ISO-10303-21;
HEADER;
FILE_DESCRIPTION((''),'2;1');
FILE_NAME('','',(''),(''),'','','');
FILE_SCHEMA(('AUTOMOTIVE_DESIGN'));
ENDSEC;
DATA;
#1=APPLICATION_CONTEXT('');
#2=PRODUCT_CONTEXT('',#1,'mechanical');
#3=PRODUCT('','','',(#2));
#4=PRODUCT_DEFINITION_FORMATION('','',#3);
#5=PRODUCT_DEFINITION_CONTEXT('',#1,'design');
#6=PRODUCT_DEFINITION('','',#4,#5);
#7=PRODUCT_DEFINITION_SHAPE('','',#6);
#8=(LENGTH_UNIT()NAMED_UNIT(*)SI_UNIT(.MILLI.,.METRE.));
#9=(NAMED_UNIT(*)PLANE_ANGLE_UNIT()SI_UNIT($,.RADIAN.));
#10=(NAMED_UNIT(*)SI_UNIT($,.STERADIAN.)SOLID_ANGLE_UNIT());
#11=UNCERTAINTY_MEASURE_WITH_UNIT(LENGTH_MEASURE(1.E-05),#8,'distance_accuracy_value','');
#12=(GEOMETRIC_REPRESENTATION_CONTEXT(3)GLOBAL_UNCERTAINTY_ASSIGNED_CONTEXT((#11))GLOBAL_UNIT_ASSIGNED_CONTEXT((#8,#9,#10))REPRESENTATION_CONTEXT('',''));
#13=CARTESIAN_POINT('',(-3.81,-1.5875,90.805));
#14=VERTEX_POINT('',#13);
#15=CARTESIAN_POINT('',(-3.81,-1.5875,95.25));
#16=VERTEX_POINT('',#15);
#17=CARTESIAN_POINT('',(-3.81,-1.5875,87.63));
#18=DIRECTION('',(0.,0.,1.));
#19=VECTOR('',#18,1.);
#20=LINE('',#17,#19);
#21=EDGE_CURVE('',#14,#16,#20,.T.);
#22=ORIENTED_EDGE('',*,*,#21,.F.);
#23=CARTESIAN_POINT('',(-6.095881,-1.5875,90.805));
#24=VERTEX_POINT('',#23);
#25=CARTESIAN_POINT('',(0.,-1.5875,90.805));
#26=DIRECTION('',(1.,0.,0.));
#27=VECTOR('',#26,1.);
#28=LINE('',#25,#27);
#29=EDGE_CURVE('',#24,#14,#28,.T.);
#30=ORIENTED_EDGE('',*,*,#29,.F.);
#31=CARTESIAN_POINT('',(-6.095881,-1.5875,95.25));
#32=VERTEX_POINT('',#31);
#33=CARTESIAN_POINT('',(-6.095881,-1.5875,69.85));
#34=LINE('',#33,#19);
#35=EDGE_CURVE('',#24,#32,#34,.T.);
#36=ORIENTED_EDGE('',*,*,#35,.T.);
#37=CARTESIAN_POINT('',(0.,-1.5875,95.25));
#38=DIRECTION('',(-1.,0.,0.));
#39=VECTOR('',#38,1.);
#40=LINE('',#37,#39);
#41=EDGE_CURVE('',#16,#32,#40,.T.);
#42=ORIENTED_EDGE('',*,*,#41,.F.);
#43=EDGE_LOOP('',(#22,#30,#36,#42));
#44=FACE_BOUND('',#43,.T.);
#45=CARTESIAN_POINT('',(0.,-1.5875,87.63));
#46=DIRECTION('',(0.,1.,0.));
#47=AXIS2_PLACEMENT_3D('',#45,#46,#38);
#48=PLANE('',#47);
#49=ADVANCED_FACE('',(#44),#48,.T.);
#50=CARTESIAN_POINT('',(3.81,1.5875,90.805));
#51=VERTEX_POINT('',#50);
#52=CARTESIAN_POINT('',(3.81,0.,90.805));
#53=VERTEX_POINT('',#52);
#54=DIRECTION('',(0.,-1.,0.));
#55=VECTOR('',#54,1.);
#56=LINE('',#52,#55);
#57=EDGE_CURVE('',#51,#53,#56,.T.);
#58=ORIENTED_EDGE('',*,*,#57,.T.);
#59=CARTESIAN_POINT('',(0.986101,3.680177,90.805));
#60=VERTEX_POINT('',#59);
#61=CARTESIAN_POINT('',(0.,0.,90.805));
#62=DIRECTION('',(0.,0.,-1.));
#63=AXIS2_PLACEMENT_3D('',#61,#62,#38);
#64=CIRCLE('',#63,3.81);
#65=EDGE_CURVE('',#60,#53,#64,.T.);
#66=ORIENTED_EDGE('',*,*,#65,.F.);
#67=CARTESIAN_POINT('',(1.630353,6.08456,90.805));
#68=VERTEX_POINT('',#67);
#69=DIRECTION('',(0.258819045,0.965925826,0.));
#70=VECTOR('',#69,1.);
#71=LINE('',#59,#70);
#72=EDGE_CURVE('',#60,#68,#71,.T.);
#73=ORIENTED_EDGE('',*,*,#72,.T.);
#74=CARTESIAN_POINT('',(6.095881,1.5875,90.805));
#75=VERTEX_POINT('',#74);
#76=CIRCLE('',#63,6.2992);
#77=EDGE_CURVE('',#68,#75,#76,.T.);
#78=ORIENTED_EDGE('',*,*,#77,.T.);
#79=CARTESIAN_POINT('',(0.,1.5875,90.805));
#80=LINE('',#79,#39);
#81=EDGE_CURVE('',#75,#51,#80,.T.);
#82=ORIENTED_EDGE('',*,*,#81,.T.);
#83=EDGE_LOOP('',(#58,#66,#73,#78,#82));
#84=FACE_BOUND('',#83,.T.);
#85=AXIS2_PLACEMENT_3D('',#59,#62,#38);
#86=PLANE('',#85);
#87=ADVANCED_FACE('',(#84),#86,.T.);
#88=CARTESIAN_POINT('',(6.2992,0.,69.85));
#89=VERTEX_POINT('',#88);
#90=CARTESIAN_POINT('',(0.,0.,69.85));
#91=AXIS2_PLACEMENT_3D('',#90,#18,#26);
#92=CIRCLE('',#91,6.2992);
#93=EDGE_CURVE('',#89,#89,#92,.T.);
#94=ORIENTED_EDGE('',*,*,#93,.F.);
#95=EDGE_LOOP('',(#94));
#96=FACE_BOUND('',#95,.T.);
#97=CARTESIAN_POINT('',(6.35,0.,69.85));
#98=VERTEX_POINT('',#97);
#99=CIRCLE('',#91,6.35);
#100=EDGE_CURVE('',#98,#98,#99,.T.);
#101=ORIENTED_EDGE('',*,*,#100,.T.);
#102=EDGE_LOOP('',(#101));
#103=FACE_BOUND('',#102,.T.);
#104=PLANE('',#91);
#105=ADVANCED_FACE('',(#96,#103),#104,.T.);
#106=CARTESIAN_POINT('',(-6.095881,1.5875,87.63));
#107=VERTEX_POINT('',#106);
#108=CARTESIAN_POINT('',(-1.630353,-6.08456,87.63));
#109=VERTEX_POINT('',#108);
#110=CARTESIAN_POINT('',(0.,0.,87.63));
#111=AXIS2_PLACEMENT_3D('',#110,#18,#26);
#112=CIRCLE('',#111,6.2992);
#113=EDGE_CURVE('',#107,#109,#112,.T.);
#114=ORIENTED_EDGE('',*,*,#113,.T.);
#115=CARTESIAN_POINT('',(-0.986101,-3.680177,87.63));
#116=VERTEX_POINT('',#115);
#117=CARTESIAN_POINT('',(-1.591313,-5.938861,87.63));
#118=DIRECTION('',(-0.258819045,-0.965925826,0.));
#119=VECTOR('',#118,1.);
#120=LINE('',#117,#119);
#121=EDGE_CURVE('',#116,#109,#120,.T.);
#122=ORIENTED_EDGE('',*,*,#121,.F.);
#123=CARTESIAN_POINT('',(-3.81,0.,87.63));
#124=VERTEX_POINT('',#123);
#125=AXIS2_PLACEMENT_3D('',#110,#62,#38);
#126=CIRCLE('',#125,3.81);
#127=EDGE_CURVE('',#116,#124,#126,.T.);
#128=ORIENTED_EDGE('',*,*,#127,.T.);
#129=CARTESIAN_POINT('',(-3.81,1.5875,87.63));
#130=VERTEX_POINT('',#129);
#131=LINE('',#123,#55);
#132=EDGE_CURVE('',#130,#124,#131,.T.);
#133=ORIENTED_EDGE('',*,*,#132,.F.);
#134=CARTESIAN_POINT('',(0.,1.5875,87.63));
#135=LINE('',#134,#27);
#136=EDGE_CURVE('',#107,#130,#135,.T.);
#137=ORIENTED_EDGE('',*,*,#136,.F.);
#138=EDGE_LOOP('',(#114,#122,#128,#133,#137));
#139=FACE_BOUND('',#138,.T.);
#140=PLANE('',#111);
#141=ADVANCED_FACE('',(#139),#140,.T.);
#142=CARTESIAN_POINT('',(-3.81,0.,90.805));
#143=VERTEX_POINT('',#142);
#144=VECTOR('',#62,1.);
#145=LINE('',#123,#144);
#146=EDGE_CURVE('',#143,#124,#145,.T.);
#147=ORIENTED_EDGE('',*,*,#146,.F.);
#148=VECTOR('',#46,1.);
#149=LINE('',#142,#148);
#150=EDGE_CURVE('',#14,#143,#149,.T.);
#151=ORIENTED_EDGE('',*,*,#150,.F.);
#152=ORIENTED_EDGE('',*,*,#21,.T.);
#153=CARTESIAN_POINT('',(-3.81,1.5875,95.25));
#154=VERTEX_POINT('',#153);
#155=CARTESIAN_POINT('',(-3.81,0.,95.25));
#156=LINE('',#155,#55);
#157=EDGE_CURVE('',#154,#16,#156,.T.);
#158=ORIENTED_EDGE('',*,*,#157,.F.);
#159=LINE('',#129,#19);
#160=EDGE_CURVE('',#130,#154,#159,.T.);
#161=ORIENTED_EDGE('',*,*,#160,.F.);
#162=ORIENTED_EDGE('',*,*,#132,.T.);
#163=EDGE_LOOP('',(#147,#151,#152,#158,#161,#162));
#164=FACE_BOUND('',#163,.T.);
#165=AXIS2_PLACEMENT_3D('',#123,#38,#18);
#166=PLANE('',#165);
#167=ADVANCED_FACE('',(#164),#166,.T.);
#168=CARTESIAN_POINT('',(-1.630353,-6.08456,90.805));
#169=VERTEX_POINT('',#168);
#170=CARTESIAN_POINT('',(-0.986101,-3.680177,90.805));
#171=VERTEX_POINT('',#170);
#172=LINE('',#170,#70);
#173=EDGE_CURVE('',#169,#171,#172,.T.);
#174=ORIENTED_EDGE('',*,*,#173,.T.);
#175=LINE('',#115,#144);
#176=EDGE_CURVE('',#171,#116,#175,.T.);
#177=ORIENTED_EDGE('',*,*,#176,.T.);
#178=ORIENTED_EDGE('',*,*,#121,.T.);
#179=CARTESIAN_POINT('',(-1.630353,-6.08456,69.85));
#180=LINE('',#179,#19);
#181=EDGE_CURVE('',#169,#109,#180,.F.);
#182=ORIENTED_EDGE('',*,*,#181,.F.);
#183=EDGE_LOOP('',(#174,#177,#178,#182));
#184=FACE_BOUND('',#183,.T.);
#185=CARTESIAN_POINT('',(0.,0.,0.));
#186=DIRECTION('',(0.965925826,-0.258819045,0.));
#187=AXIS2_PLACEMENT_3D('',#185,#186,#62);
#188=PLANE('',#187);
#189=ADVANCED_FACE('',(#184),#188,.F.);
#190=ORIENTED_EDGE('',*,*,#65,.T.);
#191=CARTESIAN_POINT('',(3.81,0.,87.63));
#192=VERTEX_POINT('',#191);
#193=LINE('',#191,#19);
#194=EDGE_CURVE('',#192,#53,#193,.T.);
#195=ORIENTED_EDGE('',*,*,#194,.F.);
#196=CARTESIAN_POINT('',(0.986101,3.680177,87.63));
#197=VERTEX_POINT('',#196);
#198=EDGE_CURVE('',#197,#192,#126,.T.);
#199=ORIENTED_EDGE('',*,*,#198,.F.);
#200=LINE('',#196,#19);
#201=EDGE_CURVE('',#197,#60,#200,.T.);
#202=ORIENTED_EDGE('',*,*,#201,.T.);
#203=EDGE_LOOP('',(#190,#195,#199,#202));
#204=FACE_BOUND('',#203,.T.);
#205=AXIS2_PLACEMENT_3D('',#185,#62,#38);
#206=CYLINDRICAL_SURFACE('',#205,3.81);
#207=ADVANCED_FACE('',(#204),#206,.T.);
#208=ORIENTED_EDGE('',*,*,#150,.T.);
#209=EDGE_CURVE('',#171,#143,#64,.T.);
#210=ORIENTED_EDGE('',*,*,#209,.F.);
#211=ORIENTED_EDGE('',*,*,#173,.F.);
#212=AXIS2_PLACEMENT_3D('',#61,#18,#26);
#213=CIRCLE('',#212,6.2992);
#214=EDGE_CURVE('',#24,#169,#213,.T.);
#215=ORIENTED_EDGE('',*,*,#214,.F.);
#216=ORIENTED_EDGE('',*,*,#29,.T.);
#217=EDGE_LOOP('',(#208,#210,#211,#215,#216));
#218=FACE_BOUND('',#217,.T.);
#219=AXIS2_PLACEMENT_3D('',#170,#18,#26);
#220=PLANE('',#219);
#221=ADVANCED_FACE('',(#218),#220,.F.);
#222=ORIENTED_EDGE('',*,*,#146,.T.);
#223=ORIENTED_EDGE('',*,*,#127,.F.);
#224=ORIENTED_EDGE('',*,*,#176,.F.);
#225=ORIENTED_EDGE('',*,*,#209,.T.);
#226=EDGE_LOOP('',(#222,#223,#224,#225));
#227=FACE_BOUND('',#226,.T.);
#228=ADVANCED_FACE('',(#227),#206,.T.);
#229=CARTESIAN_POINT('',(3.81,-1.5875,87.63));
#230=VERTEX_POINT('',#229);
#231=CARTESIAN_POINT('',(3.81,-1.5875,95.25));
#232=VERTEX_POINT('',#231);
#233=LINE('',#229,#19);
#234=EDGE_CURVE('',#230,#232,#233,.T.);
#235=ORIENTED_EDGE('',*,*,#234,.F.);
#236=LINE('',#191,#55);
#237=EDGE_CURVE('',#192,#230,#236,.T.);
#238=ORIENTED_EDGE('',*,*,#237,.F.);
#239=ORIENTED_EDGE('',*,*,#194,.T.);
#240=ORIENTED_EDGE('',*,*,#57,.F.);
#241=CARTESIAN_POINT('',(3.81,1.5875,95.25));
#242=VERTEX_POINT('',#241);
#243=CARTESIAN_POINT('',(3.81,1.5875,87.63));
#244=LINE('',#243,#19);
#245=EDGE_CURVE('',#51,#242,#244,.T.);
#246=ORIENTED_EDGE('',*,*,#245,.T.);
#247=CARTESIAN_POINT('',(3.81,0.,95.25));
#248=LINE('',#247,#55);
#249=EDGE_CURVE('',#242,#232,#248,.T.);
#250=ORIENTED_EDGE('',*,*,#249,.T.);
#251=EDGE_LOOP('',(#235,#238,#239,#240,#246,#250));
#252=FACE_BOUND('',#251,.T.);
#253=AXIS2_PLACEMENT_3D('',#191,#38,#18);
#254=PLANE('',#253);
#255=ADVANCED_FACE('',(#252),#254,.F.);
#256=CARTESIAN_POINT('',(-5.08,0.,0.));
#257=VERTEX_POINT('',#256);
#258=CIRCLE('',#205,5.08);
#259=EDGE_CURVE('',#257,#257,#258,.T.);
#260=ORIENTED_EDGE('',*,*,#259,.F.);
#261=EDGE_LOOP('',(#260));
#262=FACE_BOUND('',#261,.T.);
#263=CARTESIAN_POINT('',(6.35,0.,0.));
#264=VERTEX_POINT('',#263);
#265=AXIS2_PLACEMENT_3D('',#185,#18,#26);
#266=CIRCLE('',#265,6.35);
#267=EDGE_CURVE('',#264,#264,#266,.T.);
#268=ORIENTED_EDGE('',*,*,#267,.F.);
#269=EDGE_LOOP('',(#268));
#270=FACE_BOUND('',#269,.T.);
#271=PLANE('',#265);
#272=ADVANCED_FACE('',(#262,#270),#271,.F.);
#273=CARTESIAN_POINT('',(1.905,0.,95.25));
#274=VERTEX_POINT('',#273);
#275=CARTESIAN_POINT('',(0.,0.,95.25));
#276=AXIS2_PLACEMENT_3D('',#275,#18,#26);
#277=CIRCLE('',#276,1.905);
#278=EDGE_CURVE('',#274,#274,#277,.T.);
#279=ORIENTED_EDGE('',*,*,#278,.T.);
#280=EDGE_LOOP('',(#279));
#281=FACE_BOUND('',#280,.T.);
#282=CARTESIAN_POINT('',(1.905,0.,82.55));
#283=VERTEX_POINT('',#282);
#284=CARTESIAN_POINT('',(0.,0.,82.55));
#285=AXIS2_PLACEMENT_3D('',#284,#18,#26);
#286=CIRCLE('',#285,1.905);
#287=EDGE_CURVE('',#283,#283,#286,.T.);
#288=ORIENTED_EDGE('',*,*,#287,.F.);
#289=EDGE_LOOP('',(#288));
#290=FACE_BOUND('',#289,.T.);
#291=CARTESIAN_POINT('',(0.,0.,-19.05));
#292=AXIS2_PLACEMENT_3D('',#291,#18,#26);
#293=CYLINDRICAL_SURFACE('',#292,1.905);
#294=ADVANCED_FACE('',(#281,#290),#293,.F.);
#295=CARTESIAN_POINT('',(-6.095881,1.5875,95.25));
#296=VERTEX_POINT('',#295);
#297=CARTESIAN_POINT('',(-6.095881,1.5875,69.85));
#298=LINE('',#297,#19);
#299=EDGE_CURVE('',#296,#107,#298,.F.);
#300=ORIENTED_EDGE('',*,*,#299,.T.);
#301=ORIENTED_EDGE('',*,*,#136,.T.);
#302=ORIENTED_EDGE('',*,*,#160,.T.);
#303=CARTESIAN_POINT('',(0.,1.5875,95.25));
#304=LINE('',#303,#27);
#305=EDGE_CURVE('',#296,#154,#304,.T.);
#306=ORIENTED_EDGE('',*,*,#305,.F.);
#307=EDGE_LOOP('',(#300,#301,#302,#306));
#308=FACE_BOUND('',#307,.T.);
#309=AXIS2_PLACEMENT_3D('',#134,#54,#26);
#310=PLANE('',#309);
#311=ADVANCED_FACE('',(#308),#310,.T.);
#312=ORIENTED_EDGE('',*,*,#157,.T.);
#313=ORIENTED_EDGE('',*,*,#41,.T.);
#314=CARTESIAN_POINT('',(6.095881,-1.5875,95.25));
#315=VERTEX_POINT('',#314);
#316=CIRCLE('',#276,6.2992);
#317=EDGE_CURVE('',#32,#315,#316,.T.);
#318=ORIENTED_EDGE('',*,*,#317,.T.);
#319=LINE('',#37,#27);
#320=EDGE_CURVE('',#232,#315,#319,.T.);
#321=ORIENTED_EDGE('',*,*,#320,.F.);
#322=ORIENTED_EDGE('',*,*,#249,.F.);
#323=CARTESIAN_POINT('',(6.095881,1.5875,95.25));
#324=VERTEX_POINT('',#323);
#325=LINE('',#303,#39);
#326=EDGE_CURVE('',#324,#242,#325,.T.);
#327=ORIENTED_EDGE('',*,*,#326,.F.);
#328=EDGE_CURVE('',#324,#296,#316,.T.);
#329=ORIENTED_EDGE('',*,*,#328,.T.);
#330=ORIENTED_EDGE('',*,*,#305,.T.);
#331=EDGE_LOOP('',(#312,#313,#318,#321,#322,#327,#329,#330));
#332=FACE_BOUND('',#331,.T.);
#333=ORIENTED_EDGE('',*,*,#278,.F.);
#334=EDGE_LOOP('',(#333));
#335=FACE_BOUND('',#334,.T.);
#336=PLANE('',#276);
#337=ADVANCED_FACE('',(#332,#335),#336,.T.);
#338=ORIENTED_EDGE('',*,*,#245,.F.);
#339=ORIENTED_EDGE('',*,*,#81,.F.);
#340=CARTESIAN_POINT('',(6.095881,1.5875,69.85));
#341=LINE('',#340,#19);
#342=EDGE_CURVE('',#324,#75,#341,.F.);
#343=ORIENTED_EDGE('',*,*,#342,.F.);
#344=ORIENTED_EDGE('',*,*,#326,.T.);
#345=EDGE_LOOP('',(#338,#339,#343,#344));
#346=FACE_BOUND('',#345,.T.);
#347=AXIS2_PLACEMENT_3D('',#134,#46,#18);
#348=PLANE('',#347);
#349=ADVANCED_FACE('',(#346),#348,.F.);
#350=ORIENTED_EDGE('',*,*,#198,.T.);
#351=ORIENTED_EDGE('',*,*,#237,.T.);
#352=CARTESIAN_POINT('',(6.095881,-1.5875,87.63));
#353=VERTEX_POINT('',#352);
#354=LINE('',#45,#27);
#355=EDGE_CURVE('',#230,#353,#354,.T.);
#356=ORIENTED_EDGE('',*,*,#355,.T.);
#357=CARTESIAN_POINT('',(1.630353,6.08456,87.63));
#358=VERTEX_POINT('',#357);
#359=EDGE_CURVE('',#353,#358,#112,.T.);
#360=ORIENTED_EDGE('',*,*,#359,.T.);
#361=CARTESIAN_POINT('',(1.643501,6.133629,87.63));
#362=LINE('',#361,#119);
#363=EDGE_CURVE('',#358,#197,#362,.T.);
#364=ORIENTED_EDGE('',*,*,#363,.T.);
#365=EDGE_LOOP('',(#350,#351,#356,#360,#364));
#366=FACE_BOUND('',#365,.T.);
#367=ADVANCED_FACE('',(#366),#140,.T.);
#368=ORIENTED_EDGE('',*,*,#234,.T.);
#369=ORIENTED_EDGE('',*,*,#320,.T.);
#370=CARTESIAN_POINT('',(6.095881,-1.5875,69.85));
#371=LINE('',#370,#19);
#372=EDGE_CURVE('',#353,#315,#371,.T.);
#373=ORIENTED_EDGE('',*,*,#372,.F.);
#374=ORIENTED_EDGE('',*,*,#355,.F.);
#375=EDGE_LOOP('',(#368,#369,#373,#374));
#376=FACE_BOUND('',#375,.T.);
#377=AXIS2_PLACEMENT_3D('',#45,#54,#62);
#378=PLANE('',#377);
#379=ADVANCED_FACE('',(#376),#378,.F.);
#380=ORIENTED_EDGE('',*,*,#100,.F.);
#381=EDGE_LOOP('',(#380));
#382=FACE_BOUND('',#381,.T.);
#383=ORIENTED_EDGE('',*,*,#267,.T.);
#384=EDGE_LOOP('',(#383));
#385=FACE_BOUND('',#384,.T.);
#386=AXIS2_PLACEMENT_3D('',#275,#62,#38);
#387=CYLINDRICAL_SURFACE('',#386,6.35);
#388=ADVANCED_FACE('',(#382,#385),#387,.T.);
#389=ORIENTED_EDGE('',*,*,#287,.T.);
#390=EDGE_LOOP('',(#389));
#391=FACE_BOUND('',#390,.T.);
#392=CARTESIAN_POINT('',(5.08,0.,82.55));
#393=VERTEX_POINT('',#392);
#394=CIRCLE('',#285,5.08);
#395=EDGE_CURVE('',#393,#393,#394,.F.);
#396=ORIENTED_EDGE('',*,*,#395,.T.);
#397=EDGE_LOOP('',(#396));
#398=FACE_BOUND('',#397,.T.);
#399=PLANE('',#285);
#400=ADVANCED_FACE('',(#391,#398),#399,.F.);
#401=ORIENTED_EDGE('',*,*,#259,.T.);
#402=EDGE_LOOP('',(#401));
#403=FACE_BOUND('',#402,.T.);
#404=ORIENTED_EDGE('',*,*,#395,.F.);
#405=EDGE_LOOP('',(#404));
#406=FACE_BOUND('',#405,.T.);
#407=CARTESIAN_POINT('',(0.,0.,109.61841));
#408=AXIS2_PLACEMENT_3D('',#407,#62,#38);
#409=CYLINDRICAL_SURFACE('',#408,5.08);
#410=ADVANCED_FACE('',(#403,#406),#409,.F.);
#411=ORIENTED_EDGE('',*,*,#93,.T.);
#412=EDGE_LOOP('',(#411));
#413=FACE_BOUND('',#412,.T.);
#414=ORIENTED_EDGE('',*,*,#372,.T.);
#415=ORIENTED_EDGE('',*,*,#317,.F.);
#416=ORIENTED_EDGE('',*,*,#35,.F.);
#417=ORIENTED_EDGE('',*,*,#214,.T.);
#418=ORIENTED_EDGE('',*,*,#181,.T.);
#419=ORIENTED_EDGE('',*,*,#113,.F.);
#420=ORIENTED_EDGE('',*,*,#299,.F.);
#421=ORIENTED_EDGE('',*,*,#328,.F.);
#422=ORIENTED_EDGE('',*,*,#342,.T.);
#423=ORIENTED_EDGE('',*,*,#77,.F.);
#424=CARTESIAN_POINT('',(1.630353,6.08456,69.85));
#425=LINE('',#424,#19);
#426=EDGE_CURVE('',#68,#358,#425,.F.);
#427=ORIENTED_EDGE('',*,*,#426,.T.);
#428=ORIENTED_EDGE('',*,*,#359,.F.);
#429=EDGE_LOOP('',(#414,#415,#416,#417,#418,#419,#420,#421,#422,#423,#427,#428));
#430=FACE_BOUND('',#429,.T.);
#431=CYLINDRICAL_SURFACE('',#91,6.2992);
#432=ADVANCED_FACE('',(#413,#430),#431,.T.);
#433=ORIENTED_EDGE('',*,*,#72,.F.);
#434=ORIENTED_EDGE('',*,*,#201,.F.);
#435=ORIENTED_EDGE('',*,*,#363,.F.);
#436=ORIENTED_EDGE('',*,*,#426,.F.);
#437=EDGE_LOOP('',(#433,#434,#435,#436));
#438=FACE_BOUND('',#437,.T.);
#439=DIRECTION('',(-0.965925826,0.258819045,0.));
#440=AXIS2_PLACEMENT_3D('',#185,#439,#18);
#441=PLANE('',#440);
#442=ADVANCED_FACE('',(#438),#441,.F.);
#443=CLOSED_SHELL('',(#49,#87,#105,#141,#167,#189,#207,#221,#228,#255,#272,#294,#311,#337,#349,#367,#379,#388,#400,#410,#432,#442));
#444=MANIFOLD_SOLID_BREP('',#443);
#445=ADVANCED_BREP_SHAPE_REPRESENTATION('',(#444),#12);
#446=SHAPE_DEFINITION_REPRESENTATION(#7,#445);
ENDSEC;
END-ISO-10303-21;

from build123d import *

# Parameters (mm, degrees)
SKETCH1_R           = 6.35
BOSS_EXTRUDE1_DEPTH = 95.25
SKETCH2_R           = 5.08
CUT_EXTRUDE1_DEPTH  = 82.55
SKETCH3_R           = 1.905
CUT_EXTRUDE2_DEPTH  = 114.3
CUT_EXTRUDE8_DEPTH  = 7.62
CUT_REVOLVE1_ANGLE  = 75
SKETCH8_R           = 6.35
SKETCH8_R_2         = 6.2992
CUT_EXTRUDE10_DEPTH = 25.4


with BuildPart() as part:
    # Sketch1 → Boss-Extrude1 (new body)
    with BuildSketch(Plane.XY):
        Circle(SKETCH1_R)
    extrude(amount=BOSS_EXTRUDE1_DEPTH)

    # Sketch2 → Cut-Extrude1 (cut)
    with BuildSketch(Plane(origin=(0, 0, 0), x_dir=(-1, 0, 0), z_dir=(0, 0, -1))):
        Circle(SKETCH2_R)
    extrude(amount=-CUT_EXTRUDE1_DEPTH, mode=Mode.SUBTRACT)

    # Sketch3 → Cut-Extrude2 (cut)
    with BuildSketch(Plane.XY.offset(95.25)):
        Circle(SKETCH3_R)
    extrude(amount=-CUT_EXTRUDE2_DEPTH, mode=Mode.SUBTRACT)

    # Sketch5 → Cut-Extrude8 (cut)
    with BuildSketch(Plane.XY.offset(95.25)):
        with BuildLine():
            ThreePointArc((6.35, 0), (6.299388571, 0.800127257), (6.148361062, 1.5875))
            Line((6.148361062, 1.5875), (3.81, 1.5875))
            Line((3.81, 1.5875), (3.81, -1.5875))
            Line((3.81, -1.5875), (6.148361062, -1.5875))
            ThreePointArc((6.148361062, -1.5875), (6.299388571, -0.800127257), (6.35, 0))
        make_face()
        with BuildLine():
            Line((-3.81, 1.5875), (-6.148361062, 1.5875))
            ThreePointArc((-6.148361062, 1.5875), (-6.35, 0), (-6.148361062, -1.5875))
            Line((-6.148361062, -1.5875), (-3.81, -1.5875))
            Line((-3.81, -1.5875), (-3.81, 1.5875))
        make_face()
    extrude(amount=-CUT_EXTRUDE8_DEPTH, mode=Mode.SUBTRACT)

    # Sketch7 → Cut-Revolve1 (revolve, cut)
    with BuildSketch(Plane(origin=(0, 0, 0), x_dir=(1, 0, 0), z_dir=(0, 1, 0))):
        Polygon((6.148361062, -87.63), (3.81, -87.63), (3.81, -90.805), (6.35, -90.805), (6.35, -87.63), align=None)
        Polygon((-3.81, -90.805), (-6.35, -90.805), (-6.35, -87.63), (-6.148361062, -87.63), (-3.81, -87.63), align=None)
    revolve(axis=Axis((0, 0, 0), (0, 0, 1)), revolution_arc=CUT_REVOLVE1_ANGLE, mode=Mode.SUBTRACT)

    # Sketch8 → Cut-Extrude10 (cut)
    with BuildSketch(Plane.XY.offset(95.25)):
        Circle(SKETCH8_R)
        Circle(SKETCH8_R_2, mode=Mode.SUBTRACT)
    extrude(amount=-CUT_EXTRUDE10_DEPTH, mode=Mode.SUBTRACT)


solid = part.part
